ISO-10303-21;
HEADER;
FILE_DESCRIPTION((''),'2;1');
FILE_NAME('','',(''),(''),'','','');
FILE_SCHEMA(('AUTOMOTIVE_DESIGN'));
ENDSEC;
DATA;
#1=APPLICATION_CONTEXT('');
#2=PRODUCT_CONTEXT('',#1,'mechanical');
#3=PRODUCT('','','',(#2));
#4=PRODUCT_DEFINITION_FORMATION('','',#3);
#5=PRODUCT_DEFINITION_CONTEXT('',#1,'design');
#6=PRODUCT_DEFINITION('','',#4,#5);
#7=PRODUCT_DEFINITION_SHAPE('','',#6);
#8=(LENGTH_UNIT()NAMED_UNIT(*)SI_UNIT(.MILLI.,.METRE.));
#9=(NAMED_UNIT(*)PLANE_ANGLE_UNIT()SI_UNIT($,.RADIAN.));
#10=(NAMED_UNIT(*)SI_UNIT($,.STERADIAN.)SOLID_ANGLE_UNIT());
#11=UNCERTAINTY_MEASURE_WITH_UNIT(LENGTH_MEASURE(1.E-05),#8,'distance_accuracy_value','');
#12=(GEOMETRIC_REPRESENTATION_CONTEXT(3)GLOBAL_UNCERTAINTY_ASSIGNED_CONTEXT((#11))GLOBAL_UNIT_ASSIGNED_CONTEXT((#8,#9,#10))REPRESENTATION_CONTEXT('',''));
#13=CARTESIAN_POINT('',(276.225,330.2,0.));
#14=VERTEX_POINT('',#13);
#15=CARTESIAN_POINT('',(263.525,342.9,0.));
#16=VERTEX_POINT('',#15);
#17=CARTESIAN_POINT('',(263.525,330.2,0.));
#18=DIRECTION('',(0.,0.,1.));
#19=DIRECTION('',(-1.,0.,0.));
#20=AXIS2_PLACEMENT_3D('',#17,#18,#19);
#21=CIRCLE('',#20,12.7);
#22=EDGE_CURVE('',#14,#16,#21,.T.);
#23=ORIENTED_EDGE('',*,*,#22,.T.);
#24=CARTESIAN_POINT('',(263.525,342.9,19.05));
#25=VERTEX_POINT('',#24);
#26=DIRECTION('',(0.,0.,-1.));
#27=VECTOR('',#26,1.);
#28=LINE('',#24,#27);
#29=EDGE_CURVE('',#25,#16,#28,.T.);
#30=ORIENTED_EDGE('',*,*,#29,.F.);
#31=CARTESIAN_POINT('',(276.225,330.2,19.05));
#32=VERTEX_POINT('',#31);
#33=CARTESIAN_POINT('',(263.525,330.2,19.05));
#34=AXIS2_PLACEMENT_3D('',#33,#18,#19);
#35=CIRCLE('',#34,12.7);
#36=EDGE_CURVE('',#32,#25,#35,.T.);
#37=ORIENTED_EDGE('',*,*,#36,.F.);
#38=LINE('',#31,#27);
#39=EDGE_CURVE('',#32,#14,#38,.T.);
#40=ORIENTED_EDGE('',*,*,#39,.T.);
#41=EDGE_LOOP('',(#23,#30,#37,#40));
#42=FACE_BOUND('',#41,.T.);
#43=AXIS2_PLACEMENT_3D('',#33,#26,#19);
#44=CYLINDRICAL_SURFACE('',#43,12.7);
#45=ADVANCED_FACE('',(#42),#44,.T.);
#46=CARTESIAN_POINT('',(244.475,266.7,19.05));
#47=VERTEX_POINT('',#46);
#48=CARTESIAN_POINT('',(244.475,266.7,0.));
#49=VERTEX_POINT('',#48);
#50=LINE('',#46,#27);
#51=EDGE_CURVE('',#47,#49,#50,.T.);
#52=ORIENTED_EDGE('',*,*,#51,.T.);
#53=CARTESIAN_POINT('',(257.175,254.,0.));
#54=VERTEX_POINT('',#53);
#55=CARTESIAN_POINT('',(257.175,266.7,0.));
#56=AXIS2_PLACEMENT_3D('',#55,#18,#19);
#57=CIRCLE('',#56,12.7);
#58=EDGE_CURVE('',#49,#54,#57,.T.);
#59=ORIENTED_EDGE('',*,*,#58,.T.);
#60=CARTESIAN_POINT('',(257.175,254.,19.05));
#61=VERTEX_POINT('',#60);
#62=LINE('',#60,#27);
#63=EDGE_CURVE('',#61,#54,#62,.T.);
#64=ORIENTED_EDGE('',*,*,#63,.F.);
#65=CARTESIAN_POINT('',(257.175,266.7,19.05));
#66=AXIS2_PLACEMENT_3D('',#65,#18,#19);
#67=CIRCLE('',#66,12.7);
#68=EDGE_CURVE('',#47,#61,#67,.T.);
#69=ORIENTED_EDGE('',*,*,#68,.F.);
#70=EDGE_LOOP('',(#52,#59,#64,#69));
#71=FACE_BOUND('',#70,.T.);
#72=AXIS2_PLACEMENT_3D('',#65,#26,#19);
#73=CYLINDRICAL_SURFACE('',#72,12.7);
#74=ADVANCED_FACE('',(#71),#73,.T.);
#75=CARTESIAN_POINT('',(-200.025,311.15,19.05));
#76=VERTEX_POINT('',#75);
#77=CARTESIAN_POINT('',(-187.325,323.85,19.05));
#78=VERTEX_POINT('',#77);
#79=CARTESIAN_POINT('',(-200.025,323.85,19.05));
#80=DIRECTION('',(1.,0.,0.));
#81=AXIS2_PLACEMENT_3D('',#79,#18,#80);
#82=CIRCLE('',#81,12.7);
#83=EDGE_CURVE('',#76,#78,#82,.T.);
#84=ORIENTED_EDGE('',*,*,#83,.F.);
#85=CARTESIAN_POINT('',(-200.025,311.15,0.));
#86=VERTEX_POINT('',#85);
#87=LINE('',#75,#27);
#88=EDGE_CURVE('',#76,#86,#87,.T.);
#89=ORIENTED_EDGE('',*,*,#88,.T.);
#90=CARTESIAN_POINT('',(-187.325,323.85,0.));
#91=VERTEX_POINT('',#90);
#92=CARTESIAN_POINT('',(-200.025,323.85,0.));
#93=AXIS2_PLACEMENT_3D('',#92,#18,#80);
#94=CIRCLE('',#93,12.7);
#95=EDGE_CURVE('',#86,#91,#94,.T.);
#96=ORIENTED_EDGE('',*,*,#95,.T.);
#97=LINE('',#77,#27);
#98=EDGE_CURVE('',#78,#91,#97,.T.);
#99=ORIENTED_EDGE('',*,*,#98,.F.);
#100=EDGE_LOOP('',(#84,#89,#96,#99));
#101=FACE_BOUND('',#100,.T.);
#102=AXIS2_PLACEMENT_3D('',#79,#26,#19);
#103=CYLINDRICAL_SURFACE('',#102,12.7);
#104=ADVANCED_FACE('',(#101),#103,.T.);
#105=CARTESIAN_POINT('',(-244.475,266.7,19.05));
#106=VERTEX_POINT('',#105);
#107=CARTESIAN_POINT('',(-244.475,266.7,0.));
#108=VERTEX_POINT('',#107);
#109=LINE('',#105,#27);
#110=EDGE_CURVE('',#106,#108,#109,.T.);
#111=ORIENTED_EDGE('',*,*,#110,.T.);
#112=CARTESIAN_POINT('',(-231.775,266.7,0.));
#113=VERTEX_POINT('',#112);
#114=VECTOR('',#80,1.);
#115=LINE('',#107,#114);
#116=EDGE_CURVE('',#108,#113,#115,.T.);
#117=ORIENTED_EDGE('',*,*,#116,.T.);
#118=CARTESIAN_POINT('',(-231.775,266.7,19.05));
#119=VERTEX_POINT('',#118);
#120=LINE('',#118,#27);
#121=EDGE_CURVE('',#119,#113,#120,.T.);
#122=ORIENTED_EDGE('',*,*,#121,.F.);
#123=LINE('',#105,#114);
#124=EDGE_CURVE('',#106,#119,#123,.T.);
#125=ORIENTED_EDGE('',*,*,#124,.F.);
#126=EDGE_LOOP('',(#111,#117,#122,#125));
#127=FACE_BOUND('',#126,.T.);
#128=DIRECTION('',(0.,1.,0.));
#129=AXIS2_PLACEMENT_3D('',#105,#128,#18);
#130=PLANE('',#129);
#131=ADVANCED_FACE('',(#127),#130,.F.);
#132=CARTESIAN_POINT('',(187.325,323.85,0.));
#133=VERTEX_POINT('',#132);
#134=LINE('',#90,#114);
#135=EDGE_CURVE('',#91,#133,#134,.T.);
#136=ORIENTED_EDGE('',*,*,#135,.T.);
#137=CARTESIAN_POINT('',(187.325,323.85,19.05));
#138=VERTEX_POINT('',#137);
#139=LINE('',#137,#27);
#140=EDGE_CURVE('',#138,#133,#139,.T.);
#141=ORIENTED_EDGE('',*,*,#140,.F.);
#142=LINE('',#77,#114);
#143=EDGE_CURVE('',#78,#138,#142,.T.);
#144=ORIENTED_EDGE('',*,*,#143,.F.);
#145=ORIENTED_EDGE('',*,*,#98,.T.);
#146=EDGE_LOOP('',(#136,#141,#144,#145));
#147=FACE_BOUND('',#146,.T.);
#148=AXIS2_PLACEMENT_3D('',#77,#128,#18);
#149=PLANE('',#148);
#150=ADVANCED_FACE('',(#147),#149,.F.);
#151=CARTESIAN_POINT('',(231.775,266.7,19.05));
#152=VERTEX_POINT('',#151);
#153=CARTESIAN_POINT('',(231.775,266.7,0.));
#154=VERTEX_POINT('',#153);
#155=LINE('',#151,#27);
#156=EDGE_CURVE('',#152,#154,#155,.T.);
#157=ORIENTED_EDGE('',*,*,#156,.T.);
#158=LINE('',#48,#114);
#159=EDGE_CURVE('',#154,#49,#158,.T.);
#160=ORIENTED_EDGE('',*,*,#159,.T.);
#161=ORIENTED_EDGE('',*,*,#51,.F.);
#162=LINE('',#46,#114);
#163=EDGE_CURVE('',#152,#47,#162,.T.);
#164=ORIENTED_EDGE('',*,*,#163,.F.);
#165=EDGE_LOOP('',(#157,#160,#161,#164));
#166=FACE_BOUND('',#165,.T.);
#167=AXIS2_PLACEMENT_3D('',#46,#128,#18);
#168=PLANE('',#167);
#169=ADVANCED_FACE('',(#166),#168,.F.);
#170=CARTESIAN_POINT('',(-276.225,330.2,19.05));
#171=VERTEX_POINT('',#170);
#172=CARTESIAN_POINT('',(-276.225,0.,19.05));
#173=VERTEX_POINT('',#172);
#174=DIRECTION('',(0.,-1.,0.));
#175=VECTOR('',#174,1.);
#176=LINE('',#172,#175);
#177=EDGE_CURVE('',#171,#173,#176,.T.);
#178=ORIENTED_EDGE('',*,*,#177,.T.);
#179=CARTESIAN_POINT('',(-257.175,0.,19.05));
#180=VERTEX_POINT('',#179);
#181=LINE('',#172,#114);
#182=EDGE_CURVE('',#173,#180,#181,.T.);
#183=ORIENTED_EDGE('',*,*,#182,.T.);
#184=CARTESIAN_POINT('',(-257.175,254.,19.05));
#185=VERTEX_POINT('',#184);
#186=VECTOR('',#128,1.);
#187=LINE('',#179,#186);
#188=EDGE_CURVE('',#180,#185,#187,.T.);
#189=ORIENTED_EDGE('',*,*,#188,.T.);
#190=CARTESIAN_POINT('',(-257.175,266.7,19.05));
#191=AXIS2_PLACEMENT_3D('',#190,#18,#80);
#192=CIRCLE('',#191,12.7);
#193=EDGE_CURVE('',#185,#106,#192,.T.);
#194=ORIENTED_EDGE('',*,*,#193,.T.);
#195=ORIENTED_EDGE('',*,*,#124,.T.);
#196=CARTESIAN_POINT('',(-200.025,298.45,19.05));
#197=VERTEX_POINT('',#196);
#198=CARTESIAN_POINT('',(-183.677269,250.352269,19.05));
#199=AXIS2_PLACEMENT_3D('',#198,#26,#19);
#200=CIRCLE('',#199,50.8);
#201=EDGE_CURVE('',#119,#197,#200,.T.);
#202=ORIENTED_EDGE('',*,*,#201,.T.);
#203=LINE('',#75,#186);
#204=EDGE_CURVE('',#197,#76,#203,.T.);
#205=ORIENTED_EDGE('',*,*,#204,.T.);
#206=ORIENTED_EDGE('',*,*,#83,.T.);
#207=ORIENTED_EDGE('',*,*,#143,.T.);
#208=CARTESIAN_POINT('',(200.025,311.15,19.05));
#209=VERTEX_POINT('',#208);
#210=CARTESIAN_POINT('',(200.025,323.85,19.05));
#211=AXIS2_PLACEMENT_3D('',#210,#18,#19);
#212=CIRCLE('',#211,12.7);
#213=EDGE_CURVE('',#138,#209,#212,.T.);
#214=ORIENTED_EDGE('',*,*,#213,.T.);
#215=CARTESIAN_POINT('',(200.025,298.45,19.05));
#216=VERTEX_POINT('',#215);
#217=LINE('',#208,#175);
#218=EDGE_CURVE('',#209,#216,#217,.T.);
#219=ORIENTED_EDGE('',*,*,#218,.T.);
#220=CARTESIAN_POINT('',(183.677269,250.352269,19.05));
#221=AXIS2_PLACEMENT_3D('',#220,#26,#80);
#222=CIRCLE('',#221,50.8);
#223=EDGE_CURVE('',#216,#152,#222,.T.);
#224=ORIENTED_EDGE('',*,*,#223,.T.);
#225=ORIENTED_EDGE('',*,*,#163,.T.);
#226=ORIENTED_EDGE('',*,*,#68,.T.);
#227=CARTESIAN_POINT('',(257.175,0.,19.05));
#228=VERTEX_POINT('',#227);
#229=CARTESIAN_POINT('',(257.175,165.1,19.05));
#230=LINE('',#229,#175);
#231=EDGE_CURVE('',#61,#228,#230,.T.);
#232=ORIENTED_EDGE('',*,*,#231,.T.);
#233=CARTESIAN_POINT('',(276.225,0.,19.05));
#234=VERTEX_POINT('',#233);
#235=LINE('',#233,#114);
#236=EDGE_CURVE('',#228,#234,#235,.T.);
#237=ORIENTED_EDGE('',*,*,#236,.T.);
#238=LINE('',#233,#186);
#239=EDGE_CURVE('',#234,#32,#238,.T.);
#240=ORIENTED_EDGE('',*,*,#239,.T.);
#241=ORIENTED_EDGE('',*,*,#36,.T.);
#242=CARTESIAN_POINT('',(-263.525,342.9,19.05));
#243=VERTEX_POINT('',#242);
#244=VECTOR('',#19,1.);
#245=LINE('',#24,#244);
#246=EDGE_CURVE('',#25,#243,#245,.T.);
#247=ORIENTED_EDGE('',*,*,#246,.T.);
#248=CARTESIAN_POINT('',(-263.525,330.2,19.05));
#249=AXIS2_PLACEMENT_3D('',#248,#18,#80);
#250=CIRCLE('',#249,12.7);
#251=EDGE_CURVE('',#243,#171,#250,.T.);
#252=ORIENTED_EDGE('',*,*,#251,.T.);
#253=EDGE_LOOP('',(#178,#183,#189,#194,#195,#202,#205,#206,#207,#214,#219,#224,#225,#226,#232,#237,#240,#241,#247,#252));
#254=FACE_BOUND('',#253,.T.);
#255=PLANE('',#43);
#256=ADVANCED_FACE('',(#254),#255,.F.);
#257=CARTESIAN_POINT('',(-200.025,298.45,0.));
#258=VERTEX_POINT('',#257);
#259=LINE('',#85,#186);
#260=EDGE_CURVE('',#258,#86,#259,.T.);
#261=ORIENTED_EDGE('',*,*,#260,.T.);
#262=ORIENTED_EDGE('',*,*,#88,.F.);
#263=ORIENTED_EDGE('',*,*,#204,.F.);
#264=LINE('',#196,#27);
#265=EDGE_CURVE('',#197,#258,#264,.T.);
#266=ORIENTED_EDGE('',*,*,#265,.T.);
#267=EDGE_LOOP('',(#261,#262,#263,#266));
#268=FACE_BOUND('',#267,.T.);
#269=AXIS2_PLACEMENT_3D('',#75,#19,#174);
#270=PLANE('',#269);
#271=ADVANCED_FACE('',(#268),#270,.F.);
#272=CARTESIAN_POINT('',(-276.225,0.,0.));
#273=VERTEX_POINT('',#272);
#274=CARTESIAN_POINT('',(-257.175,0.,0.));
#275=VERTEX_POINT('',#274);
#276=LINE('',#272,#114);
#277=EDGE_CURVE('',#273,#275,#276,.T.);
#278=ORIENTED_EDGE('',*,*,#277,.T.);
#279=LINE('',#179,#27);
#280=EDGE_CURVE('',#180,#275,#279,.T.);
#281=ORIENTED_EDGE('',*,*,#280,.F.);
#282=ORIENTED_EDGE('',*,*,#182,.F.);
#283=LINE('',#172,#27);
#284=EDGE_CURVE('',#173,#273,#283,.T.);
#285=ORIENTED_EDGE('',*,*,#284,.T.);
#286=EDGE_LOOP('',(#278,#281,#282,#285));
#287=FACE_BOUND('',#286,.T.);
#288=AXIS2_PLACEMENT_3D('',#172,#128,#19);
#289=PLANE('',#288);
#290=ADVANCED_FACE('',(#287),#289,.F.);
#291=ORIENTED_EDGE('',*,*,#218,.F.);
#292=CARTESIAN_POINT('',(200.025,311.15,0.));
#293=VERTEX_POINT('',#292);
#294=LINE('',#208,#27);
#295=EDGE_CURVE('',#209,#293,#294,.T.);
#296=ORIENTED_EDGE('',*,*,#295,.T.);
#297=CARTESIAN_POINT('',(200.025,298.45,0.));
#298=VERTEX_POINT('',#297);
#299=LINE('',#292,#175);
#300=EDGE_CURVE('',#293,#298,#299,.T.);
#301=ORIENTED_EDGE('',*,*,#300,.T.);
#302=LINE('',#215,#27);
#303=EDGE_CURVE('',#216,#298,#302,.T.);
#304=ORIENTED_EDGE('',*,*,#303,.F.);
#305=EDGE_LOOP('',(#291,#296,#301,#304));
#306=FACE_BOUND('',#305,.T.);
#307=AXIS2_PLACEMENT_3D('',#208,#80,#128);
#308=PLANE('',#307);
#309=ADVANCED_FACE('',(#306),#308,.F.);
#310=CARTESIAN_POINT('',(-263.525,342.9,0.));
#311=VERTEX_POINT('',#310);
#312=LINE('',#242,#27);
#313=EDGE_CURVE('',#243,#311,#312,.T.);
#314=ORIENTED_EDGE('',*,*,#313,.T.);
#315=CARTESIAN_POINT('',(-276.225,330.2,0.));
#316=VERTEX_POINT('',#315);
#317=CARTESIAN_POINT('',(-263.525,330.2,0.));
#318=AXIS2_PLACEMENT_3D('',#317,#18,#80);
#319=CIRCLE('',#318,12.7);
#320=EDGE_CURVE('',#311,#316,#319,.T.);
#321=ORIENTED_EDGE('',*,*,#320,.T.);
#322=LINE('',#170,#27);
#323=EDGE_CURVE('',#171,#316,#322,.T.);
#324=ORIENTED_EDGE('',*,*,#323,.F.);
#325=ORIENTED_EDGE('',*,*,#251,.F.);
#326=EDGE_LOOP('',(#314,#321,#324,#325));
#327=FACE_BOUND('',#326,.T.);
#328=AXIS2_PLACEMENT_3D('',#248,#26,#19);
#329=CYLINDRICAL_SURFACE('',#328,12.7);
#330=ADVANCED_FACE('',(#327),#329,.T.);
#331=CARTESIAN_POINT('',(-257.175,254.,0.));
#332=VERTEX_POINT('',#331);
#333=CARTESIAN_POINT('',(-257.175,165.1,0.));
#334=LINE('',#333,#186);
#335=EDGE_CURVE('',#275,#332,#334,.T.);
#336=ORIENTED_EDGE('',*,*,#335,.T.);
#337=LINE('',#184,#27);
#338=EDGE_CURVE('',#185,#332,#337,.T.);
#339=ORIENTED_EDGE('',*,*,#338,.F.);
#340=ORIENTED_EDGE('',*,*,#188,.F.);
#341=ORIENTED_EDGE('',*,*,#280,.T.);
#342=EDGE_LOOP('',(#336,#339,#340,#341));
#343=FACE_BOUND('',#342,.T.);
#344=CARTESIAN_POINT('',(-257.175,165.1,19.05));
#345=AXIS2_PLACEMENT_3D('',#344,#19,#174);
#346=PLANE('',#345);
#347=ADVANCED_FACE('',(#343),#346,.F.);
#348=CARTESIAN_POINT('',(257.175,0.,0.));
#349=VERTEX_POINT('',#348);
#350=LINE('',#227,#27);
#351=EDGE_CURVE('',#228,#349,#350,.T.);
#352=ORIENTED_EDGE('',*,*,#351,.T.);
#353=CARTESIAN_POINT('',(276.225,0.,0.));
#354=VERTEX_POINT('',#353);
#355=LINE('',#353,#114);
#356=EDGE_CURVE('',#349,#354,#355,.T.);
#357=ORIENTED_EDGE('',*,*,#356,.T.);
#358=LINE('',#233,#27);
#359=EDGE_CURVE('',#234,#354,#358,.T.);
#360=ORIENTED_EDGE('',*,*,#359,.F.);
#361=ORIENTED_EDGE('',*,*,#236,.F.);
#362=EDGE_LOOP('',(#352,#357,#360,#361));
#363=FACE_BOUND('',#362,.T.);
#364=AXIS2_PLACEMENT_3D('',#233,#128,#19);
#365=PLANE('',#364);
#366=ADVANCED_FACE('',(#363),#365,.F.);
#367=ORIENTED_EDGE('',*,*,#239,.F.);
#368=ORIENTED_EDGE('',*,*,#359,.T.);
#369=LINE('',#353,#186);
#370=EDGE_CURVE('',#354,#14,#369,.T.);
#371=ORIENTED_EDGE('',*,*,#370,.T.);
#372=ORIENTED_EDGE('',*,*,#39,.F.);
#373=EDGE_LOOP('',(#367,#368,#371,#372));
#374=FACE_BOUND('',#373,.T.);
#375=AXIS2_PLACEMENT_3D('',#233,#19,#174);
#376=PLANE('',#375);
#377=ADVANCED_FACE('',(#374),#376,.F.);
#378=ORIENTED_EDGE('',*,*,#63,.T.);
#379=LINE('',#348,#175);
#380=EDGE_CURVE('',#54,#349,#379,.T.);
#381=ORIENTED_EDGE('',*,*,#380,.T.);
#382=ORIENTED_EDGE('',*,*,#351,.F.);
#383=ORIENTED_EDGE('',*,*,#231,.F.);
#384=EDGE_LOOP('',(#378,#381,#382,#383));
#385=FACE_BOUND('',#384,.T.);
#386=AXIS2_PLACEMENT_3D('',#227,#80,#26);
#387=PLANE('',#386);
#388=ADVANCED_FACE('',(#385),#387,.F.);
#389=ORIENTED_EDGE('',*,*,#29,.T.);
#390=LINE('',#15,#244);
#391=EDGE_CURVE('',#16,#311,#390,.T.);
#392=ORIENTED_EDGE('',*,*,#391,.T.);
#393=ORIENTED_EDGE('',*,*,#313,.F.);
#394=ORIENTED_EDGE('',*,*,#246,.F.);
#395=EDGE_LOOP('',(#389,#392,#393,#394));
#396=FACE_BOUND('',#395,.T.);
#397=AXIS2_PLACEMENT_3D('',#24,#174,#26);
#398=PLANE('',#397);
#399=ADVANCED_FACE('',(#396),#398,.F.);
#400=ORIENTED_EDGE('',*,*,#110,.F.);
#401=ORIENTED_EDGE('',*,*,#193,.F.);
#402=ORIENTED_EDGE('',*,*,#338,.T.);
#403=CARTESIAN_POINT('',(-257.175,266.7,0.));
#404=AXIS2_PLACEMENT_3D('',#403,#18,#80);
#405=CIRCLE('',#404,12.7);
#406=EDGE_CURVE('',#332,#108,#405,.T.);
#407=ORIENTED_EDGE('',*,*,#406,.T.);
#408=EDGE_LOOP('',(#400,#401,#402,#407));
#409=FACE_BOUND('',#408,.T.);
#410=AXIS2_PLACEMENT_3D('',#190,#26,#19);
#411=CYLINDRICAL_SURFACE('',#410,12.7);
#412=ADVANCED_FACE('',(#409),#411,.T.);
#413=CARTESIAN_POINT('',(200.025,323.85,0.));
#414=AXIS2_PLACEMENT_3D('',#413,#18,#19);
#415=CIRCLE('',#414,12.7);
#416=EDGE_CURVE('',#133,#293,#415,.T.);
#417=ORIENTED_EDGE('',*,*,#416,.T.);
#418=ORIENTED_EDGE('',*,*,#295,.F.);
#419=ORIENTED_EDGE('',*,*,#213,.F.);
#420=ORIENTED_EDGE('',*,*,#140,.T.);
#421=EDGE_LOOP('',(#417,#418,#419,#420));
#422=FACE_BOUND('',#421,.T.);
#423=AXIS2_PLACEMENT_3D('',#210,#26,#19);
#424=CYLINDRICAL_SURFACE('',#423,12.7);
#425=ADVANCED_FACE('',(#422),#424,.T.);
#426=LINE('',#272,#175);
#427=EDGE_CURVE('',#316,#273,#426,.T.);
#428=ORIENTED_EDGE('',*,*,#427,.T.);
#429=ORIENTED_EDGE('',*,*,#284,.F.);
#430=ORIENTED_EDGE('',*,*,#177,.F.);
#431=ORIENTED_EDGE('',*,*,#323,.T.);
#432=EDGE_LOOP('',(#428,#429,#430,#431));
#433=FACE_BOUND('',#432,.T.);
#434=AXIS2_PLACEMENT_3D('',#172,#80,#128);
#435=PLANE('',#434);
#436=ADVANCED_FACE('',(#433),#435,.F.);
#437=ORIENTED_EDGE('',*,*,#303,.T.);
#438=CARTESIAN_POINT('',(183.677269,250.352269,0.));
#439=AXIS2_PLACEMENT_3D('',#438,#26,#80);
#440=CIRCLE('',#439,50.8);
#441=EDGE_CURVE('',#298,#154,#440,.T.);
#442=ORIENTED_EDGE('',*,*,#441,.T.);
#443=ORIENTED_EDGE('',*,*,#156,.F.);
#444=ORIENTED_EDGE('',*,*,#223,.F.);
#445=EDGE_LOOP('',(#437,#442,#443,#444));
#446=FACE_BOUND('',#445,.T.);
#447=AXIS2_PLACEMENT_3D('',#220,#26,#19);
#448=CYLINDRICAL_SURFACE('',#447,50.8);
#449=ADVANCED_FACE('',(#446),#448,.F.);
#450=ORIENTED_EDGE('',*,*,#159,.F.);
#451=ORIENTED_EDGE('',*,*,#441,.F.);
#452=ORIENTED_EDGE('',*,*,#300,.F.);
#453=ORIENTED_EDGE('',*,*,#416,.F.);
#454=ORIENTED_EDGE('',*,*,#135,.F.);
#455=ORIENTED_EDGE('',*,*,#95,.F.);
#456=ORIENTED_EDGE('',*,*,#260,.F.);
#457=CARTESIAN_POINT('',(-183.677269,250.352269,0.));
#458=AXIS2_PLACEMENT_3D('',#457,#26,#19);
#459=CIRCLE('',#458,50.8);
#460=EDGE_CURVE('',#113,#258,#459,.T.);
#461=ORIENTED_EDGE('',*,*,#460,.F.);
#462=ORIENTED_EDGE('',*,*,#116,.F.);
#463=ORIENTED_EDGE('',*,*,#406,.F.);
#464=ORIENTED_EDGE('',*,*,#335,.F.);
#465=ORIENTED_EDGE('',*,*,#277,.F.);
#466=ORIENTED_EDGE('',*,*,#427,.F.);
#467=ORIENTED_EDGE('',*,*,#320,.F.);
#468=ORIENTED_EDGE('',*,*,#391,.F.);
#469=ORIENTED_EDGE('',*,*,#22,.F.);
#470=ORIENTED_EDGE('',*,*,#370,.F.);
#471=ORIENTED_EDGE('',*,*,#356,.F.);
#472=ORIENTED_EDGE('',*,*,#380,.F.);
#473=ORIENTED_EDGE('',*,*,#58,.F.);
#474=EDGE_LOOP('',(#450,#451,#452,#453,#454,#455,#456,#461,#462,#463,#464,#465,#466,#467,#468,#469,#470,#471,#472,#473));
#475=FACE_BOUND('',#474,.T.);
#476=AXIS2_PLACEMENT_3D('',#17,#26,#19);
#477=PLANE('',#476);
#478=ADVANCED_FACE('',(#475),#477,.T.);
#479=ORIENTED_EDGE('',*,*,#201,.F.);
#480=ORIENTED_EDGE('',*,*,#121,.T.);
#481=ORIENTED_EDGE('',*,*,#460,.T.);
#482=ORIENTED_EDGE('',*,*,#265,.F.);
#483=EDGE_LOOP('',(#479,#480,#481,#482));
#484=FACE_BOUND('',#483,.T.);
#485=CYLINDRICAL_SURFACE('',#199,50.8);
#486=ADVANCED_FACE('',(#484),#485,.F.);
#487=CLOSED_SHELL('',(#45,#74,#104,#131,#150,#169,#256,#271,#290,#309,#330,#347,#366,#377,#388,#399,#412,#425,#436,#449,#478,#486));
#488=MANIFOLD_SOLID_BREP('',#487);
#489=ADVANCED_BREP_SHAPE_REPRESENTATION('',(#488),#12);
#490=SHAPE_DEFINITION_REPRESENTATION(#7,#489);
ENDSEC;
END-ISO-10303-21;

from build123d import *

# Parameters (mm, degrees)
BOSS_EXTRUDE1_DEPTH = 19.05


with BuildPart() as part:
    # Sketch1 → Boss-Extrude1 (new body)
    with BuildSketch(Plane.XY):
        with BuildLine():
            Line((276.225, 0), (257.175, 0))
            Line((257.175, 0), (257.175, 76.2))
            Line((257.175, 76.2), (257.175, 165.1))
            Line((257.175, 165.1), (257.175, 254))
            ThreePointArc((257.175, 254), (248.194743879, 257.719743879), (244.475, 266.7))
            Line((244.475, 266.7), (231.775, 266.7))
            ThreePointArc((231.775, 266.7), (219.598293765, 286.273293765), (200.025, 298.45))
            Line((200.025, 298.45), (200.025, 311.15))
            ThreePointArc((200.025, 311.15), (191.044743879, 314.869743879), (187.325, 323.85))
            Line((187.325, 323.85), (-187.325, 323.85))
            ThreePointArc((-187.325, 323.85), (-191.044743879, 314.869743879), (-200.025, 311.15))
            Line((-200.025, 311.15), (-200.025, 298.45))
            ThreePointArc((-200.025, 298.45), (-219.598293765, 286.273293765), (-231.775, 266.7))
            Line((-231.775, 266.7), (-244.475, 266.7))
            ThreePointArc((-244.475, 266.7), (-248.194743879, 257.719743879), (-257.175, 254))
            Line((-257.175, 254), (-257.175, 165.1))
            Line((-257.175, 165.1), (-257.175, 76.2))
            Line((-257.175, 76.2), (-257.175, 0))
            Line((-257.175, 0), (-276.225, 0))
            Line((-276.225, 0), (-276.225, 330.2))
            ThreePointArc((-276.225, 330.2), (-272.505256121, 339.180256121), (-263.525, 342.9))
            Line((-263.525, 342.9), (263.525, 342.9))
            ThreePointArc((263.525, 342.9), (272.505256121, 339.180256121), (276.225, 330.2))
            Line((276.225, 330.2), (276.225, 0))
        make_face()
    extrude(amount=BOSS_EXTRUDE1_DEPTH)


solid = part.part
